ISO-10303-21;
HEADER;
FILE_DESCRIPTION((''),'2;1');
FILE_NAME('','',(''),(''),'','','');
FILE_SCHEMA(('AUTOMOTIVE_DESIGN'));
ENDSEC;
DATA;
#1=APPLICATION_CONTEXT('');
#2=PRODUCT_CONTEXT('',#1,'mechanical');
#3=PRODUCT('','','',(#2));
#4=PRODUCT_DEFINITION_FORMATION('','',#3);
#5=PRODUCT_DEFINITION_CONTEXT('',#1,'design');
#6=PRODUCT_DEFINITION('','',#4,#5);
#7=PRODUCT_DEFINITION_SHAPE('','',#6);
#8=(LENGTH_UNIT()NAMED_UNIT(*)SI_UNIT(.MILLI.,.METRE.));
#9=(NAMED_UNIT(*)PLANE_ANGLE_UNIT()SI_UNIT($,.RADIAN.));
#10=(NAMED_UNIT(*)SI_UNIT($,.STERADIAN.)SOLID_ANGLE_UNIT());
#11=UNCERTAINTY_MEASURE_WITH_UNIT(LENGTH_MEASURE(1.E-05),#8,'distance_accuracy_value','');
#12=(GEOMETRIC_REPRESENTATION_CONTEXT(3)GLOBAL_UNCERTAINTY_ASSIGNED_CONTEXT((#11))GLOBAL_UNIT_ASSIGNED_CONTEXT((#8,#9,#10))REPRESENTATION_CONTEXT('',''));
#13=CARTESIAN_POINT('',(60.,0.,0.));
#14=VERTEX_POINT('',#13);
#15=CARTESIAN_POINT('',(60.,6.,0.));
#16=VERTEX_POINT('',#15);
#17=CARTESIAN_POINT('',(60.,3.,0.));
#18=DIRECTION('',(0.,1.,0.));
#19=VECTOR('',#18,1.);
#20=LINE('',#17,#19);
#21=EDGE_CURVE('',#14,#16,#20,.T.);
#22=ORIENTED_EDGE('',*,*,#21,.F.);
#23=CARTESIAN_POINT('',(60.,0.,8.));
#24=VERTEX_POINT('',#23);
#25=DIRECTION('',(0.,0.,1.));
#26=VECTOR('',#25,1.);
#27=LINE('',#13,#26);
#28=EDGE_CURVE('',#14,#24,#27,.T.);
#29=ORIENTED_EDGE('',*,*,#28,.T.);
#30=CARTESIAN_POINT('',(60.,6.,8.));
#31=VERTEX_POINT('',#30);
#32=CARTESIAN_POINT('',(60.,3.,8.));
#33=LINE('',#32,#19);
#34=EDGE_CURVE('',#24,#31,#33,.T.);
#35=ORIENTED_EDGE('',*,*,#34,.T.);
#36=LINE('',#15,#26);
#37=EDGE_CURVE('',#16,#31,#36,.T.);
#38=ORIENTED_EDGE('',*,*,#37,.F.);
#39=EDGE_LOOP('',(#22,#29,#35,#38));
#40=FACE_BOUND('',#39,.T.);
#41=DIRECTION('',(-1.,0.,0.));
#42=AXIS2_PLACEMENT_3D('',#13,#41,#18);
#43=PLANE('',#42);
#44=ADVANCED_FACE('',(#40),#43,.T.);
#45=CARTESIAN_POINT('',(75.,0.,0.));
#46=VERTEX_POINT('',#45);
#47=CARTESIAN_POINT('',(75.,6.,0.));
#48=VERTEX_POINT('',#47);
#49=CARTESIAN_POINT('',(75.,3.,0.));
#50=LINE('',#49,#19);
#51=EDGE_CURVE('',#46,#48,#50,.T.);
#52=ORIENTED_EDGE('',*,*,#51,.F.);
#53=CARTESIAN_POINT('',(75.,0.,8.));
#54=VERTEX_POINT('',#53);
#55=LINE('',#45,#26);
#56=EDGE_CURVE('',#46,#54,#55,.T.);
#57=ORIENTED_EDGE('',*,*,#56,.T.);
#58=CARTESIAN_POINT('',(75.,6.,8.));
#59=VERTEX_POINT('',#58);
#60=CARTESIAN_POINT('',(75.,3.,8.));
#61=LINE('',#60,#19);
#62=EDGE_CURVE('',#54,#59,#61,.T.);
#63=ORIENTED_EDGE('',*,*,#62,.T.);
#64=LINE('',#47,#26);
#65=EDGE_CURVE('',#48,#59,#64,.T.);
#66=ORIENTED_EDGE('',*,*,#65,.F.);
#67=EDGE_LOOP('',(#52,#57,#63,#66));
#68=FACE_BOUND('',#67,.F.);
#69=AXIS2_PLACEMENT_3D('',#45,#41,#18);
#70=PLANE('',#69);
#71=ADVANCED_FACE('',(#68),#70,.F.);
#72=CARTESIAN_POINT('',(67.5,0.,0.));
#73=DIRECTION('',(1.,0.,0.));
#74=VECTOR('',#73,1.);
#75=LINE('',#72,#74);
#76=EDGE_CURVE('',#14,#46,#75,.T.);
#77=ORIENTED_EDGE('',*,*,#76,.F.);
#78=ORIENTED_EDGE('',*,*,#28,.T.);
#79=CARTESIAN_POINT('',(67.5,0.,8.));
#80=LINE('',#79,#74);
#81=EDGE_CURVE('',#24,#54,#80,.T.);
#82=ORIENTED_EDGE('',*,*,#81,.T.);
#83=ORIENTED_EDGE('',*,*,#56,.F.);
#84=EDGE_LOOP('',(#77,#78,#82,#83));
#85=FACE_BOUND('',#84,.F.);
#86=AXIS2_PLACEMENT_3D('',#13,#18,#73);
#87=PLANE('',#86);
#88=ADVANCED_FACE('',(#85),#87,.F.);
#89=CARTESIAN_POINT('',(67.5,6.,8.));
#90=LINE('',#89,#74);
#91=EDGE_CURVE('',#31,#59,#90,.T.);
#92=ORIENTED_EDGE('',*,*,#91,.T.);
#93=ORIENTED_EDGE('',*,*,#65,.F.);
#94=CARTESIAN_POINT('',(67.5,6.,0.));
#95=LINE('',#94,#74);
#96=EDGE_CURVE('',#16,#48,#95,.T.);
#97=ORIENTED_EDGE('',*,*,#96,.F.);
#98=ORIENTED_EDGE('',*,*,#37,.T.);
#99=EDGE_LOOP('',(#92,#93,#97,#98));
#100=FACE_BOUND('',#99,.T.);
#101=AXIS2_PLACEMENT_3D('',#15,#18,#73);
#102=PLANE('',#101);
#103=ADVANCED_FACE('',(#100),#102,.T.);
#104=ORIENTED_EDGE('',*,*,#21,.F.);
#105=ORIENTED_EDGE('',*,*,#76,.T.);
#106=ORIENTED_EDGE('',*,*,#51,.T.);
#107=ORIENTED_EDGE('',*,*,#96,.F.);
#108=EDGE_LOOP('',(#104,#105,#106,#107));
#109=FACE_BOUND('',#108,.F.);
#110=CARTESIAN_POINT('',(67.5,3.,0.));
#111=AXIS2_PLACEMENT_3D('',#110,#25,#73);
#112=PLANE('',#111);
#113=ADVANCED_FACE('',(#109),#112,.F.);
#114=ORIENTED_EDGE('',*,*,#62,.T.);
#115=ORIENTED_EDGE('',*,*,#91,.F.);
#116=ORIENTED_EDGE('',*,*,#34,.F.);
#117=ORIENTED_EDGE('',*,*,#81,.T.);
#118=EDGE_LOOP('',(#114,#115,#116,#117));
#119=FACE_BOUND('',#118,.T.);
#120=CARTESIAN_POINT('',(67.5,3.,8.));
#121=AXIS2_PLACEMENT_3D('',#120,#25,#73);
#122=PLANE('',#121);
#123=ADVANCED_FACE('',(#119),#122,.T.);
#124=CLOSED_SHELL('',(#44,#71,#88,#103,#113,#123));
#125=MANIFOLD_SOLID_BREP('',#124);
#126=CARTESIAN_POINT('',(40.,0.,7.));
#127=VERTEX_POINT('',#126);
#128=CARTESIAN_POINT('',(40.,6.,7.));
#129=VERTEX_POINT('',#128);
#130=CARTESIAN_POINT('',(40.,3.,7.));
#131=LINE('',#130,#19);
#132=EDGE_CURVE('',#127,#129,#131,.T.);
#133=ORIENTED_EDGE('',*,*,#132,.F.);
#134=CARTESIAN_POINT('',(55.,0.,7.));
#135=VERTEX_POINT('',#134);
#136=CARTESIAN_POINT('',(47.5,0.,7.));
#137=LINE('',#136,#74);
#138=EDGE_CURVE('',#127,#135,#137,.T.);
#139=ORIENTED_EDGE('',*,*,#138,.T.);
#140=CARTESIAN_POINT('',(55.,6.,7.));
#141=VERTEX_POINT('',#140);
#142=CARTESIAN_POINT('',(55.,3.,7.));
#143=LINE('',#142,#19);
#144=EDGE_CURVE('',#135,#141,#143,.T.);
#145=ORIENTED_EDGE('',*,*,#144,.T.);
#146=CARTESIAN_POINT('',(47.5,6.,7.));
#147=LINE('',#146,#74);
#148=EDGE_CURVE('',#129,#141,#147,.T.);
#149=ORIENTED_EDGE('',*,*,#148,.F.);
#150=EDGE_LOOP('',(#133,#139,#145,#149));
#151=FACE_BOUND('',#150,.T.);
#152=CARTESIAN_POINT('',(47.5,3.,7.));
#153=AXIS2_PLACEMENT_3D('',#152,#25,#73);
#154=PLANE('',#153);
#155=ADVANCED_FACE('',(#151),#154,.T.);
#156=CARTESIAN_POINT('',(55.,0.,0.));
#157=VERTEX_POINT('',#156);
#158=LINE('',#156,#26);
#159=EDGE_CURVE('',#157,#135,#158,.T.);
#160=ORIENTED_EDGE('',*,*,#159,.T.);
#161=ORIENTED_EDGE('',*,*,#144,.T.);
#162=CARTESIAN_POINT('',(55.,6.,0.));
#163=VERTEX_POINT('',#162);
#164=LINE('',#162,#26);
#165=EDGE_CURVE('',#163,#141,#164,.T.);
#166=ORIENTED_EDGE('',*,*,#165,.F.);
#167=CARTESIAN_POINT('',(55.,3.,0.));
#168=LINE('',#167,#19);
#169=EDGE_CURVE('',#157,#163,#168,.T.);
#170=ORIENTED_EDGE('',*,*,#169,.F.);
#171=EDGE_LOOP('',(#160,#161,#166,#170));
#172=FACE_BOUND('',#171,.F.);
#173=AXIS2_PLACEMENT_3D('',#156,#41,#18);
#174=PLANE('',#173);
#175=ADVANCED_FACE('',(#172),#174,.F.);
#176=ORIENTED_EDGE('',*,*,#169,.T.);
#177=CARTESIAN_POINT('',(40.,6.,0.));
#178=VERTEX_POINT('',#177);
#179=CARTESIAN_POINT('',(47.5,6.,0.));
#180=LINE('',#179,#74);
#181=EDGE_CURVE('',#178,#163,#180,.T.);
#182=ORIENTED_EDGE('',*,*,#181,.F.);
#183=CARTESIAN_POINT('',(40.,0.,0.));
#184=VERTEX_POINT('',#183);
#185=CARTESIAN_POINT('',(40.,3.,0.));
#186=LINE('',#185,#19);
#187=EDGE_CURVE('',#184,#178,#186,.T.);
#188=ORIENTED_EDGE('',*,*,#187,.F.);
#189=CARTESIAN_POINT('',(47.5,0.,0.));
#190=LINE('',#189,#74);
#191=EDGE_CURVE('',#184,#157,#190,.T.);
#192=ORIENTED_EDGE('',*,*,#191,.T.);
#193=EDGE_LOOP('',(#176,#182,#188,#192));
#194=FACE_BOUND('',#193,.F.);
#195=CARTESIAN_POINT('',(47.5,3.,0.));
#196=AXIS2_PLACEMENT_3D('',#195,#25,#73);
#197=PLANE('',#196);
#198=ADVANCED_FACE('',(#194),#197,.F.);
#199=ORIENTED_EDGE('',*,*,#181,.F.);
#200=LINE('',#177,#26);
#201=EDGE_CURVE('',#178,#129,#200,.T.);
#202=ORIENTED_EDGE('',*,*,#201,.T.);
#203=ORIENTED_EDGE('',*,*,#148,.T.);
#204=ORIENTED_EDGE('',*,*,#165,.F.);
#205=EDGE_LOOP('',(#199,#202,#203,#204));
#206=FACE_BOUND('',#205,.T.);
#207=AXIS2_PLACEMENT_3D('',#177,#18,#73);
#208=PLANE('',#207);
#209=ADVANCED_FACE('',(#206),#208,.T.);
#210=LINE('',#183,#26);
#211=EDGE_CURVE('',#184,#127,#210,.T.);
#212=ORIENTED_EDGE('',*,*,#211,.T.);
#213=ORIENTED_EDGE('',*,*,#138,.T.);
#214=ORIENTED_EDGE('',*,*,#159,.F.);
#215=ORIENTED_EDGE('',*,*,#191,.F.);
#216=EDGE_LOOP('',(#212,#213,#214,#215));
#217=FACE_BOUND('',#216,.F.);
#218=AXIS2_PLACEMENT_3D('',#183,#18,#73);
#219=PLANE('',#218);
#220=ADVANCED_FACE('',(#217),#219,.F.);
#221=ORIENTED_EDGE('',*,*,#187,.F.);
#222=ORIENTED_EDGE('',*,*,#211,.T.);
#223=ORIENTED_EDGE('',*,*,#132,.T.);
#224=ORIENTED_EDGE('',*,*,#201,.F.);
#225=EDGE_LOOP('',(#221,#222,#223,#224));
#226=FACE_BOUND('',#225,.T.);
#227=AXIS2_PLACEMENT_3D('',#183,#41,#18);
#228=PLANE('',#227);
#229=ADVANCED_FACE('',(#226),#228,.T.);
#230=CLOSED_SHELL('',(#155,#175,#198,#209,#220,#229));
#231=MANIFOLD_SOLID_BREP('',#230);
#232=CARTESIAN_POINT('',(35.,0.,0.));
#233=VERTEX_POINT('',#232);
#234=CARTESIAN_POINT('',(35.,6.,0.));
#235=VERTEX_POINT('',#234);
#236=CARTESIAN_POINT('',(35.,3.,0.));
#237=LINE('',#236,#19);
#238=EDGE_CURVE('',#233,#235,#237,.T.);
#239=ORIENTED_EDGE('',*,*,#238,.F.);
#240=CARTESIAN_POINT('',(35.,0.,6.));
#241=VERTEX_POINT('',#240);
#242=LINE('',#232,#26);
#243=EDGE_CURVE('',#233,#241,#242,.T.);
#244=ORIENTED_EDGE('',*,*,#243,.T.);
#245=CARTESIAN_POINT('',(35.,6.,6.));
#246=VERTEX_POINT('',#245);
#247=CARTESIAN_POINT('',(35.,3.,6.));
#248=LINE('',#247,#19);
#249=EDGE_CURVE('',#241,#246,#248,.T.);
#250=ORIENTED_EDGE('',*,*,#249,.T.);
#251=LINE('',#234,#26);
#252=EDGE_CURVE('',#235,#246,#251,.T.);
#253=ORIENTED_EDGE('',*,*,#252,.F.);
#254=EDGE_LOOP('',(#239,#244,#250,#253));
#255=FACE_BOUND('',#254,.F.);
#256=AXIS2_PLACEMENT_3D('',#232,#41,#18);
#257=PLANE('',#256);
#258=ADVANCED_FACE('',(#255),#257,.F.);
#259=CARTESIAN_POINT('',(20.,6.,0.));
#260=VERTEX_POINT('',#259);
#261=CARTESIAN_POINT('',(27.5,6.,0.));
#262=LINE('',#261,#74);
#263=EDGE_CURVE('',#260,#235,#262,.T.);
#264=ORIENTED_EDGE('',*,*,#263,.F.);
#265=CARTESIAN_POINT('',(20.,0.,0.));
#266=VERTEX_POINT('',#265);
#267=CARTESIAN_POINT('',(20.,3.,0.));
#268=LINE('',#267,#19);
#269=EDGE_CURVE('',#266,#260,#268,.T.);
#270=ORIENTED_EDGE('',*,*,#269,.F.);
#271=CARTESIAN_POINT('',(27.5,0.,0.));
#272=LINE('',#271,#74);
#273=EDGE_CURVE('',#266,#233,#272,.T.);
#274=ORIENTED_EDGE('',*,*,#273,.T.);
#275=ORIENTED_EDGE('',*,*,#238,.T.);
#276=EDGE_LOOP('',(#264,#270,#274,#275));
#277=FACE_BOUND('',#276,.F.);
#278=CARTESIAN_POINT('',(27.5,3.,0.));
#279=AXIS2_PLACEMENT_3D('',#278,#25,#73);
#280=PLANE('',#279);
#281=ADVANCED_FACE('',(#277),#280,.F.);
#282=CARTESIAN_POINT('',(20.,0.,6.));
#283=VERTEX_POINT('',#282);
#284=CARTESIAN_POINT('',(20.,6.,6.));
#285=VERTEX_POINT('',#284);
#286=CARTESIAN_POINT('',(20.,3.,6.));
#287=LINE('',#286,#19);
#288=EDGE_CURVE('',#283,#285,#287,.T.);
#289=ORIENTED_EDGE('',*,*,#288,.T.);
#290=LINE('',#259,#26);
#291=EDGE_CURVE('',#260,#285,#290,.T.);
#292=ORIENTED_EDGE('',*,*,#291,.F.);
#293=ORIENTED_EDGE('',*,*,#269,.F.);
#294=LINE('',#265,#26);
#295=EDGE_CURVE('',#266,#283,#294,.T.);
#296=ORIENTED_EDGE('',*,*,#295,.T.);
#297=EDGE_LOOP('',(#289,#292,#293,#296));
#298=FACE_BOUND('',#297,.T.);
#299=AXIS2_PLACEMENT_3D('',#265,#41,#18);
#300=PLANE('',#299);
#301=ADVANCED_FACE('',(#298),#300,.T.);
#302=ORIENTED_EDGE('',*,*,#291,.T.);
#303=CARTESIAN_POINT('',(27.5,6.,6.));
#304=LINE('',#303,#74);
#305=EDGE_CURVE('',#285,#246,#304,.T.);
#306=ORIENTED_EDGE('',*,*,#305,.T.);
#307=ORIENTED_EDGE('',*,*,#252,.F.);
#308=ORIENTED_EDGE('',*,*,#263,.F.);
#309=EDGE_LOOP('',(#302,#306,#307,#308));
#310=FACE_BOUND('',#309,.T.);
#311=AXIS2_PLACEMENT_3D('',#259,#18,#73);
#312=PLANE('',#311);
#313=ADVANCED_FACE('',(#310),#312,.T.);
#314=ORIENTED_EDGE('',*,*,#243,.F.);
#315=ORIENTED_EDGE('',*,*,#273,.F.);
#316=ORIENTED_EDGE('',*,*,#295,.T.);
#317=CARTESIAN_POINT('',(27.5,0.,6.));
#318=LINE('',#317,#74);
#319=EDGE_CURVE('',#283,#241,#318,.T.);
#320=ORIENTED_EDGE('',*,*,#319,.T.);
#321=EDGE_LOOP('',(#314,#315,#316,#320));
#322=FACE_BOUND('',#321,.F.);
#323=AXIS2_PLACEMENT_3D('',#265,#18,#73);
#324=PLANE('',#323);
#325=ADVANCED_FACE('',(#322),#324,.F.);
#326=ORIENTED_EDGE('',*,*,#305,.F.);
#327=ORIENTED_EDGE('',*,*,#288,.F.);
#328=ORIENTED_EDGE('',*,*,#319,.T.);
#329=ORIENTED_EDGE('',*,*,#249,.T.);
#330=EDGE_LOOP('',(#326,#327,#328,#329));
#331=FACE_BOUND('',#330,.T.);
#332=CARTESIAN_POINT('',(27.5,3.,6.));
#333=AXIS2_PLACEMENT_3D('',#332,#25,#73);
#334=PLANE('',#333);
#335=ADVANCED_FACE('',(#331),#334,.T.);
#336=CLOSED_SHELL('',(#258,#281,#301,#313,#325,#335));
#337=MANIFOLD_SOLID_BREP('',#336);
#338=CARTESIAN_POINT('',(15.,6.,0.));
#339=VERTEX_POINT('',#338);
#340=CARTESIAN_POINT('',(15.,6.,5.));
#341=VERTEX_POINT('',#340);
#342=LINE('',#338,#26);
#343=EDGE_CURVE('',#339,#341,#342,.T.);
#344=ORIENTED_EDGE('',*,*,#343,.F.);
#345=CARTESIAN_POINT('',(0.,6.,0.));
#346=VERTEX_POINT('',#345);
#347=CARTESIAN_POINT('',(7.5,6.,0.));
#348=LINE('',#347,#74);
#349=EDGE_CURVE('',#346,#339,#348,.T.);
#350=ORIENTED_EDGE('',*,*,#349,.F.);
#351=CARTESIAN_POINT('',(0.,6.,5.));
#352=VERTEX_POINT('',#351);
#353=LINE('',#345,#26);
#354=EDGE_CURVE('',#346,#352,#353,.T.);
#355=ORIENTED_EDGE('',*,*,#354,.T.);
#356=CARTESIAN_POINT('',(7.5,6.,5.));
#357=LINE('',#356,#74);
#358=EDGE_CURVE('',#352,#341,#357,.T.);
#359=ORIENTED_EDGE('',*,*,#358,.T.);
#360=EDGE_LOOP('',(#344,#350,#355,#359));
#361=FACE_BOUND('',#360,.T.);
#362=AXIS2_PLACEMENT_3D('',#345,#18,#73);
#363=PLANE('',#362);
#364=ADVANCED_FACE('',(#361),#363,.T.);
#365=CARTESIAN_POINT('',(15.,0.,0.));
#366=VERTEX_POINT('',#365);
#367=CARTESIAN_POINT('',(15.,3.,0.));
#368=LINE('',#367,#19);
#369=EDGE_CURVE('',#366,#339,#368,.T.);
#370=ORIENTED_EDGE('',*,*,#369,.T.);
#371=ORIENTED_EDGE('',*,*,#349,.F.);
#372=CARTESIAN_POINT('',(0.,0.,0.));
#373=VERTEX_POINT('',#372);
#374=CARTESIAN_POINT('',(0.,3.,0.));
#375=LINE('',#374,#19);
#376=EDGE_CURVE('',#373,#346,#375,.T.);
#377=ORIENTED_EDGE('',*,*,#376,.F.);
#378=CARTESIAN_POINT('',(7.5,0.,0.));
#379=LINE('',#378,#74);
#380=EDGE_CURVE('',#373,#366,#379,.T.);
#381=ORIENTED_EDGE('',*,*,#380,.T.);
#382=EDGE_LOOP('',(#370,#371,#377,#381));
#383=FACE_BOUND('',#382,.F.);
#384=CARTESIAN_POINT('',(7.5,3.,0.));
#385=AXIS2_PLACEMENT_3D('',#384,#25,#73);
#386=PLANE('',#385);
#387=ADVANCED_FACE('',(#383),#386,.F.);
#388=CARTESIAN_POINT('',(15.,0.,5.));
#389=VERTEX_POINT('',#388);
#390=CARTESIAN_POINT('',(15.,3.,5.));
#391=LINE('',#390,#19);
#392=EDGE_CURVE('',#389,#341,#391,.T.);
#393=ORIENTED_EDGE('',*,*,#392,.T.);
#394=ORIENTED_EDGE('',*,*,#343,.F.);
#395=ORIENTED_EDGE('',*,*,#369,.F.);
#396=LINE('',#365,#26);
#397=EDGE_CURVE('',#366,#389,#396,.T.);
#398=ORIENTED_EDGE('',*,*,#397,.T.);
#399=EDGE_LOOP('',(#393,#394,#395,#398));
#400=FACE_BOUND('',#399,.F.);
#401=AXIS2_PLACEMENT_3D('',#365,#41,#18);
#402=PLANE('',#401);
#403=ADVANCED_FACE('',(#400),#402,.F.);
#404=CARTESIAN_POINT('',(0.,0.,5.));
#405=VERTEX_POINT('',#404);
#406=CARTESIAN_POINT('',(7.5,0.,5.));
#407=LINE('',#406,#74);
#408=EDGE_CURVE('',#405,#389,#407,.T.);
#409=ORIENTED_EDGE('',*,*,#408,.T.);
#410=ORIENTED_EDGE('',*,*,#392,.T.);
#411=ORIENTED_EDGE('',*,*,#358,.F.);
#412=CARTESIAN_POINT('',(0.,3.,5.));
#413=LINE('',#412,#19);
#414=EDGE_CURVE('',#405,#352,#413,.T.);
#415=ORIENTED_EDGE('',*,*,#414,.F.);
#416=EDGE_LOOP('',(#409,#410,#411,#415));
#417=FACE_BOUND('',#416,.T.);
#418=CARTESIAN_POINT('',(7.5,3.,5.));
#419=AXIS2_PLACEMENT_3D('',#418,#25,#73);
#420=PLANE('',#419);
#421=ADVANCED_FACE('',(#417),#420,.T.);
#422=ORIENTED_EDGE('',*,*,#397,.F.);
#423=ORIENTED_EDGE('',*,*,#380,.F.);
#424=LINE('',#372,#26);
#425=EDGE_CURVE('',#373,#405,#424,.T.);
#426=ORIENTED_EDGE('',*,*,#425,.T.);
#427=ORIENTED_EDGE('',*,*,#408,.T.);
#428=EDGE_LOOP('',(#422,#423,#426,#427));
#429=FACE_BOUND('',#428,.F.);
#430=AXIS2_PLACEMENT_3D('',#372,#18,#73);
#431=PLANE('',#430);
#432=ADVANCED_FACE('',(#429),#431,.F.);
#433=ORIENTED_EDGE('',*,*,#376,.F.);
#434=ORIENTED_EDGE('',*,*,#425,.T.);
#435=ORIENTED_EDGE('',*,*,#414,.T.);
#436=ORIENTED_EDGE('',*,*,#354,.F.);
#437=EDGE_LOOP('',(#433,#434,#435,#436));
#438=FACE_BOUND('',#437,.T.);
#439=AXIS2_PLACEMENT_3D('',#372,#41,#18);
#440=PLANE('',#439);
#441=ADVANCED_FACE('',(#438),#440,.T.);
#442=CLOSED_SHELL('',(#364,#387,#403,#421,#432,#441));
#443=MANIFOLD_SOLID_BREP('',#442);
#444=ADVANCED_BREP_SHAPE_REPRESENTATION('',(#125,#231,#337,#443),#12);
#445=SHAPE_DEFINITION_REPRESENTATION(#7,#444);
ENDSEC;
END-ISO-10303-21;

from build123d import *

# Parameters (mm, degrees)
F0_W     = 15
F0_H     = 6
F1_DEPTH = 5
F2_DEPTH = 6
F3_DEPTH = 7
F4_DEPTH = 8


with BuildPart() as f1:
    # F0 (on Top) → F1 (new body)
    with BuildSketch(Plane.XY):
        with Locations((7.5, 3)):
            Rectangle(F0_W, F0_H)
    extrude(amount=F1_DEPTH)


with BuildPart() as f2:
    # F0 (on Top) → F2 (new body)
    with BuildSketch(Plane.XY):
        with Locations((27.5, 3)):
            Rectangle(F0_W, F0_H)
    extrude(amount=F2_DEPTH)


with BuildPart() as f3:
    # F0 (on Top) → F3 (new body)
    with BuildSketch(Plane.XY):
        with Locations((47.5, 3)):
            Rectangle(F0_W, F0_H)
    extrude(amount=F3_DEPTH)


with BuildPart() as f4:
    # F0 (on Top) → F4 (new body)
    with BuildSketch(Plane.XY):
        with Locations((67.5, 3)):
            Rectangle(F0_W, F0_H)
    extrude(amount=F4_DEPTH)


solid = Compound([f1.part, f2.part, f3.part, f4.part])
